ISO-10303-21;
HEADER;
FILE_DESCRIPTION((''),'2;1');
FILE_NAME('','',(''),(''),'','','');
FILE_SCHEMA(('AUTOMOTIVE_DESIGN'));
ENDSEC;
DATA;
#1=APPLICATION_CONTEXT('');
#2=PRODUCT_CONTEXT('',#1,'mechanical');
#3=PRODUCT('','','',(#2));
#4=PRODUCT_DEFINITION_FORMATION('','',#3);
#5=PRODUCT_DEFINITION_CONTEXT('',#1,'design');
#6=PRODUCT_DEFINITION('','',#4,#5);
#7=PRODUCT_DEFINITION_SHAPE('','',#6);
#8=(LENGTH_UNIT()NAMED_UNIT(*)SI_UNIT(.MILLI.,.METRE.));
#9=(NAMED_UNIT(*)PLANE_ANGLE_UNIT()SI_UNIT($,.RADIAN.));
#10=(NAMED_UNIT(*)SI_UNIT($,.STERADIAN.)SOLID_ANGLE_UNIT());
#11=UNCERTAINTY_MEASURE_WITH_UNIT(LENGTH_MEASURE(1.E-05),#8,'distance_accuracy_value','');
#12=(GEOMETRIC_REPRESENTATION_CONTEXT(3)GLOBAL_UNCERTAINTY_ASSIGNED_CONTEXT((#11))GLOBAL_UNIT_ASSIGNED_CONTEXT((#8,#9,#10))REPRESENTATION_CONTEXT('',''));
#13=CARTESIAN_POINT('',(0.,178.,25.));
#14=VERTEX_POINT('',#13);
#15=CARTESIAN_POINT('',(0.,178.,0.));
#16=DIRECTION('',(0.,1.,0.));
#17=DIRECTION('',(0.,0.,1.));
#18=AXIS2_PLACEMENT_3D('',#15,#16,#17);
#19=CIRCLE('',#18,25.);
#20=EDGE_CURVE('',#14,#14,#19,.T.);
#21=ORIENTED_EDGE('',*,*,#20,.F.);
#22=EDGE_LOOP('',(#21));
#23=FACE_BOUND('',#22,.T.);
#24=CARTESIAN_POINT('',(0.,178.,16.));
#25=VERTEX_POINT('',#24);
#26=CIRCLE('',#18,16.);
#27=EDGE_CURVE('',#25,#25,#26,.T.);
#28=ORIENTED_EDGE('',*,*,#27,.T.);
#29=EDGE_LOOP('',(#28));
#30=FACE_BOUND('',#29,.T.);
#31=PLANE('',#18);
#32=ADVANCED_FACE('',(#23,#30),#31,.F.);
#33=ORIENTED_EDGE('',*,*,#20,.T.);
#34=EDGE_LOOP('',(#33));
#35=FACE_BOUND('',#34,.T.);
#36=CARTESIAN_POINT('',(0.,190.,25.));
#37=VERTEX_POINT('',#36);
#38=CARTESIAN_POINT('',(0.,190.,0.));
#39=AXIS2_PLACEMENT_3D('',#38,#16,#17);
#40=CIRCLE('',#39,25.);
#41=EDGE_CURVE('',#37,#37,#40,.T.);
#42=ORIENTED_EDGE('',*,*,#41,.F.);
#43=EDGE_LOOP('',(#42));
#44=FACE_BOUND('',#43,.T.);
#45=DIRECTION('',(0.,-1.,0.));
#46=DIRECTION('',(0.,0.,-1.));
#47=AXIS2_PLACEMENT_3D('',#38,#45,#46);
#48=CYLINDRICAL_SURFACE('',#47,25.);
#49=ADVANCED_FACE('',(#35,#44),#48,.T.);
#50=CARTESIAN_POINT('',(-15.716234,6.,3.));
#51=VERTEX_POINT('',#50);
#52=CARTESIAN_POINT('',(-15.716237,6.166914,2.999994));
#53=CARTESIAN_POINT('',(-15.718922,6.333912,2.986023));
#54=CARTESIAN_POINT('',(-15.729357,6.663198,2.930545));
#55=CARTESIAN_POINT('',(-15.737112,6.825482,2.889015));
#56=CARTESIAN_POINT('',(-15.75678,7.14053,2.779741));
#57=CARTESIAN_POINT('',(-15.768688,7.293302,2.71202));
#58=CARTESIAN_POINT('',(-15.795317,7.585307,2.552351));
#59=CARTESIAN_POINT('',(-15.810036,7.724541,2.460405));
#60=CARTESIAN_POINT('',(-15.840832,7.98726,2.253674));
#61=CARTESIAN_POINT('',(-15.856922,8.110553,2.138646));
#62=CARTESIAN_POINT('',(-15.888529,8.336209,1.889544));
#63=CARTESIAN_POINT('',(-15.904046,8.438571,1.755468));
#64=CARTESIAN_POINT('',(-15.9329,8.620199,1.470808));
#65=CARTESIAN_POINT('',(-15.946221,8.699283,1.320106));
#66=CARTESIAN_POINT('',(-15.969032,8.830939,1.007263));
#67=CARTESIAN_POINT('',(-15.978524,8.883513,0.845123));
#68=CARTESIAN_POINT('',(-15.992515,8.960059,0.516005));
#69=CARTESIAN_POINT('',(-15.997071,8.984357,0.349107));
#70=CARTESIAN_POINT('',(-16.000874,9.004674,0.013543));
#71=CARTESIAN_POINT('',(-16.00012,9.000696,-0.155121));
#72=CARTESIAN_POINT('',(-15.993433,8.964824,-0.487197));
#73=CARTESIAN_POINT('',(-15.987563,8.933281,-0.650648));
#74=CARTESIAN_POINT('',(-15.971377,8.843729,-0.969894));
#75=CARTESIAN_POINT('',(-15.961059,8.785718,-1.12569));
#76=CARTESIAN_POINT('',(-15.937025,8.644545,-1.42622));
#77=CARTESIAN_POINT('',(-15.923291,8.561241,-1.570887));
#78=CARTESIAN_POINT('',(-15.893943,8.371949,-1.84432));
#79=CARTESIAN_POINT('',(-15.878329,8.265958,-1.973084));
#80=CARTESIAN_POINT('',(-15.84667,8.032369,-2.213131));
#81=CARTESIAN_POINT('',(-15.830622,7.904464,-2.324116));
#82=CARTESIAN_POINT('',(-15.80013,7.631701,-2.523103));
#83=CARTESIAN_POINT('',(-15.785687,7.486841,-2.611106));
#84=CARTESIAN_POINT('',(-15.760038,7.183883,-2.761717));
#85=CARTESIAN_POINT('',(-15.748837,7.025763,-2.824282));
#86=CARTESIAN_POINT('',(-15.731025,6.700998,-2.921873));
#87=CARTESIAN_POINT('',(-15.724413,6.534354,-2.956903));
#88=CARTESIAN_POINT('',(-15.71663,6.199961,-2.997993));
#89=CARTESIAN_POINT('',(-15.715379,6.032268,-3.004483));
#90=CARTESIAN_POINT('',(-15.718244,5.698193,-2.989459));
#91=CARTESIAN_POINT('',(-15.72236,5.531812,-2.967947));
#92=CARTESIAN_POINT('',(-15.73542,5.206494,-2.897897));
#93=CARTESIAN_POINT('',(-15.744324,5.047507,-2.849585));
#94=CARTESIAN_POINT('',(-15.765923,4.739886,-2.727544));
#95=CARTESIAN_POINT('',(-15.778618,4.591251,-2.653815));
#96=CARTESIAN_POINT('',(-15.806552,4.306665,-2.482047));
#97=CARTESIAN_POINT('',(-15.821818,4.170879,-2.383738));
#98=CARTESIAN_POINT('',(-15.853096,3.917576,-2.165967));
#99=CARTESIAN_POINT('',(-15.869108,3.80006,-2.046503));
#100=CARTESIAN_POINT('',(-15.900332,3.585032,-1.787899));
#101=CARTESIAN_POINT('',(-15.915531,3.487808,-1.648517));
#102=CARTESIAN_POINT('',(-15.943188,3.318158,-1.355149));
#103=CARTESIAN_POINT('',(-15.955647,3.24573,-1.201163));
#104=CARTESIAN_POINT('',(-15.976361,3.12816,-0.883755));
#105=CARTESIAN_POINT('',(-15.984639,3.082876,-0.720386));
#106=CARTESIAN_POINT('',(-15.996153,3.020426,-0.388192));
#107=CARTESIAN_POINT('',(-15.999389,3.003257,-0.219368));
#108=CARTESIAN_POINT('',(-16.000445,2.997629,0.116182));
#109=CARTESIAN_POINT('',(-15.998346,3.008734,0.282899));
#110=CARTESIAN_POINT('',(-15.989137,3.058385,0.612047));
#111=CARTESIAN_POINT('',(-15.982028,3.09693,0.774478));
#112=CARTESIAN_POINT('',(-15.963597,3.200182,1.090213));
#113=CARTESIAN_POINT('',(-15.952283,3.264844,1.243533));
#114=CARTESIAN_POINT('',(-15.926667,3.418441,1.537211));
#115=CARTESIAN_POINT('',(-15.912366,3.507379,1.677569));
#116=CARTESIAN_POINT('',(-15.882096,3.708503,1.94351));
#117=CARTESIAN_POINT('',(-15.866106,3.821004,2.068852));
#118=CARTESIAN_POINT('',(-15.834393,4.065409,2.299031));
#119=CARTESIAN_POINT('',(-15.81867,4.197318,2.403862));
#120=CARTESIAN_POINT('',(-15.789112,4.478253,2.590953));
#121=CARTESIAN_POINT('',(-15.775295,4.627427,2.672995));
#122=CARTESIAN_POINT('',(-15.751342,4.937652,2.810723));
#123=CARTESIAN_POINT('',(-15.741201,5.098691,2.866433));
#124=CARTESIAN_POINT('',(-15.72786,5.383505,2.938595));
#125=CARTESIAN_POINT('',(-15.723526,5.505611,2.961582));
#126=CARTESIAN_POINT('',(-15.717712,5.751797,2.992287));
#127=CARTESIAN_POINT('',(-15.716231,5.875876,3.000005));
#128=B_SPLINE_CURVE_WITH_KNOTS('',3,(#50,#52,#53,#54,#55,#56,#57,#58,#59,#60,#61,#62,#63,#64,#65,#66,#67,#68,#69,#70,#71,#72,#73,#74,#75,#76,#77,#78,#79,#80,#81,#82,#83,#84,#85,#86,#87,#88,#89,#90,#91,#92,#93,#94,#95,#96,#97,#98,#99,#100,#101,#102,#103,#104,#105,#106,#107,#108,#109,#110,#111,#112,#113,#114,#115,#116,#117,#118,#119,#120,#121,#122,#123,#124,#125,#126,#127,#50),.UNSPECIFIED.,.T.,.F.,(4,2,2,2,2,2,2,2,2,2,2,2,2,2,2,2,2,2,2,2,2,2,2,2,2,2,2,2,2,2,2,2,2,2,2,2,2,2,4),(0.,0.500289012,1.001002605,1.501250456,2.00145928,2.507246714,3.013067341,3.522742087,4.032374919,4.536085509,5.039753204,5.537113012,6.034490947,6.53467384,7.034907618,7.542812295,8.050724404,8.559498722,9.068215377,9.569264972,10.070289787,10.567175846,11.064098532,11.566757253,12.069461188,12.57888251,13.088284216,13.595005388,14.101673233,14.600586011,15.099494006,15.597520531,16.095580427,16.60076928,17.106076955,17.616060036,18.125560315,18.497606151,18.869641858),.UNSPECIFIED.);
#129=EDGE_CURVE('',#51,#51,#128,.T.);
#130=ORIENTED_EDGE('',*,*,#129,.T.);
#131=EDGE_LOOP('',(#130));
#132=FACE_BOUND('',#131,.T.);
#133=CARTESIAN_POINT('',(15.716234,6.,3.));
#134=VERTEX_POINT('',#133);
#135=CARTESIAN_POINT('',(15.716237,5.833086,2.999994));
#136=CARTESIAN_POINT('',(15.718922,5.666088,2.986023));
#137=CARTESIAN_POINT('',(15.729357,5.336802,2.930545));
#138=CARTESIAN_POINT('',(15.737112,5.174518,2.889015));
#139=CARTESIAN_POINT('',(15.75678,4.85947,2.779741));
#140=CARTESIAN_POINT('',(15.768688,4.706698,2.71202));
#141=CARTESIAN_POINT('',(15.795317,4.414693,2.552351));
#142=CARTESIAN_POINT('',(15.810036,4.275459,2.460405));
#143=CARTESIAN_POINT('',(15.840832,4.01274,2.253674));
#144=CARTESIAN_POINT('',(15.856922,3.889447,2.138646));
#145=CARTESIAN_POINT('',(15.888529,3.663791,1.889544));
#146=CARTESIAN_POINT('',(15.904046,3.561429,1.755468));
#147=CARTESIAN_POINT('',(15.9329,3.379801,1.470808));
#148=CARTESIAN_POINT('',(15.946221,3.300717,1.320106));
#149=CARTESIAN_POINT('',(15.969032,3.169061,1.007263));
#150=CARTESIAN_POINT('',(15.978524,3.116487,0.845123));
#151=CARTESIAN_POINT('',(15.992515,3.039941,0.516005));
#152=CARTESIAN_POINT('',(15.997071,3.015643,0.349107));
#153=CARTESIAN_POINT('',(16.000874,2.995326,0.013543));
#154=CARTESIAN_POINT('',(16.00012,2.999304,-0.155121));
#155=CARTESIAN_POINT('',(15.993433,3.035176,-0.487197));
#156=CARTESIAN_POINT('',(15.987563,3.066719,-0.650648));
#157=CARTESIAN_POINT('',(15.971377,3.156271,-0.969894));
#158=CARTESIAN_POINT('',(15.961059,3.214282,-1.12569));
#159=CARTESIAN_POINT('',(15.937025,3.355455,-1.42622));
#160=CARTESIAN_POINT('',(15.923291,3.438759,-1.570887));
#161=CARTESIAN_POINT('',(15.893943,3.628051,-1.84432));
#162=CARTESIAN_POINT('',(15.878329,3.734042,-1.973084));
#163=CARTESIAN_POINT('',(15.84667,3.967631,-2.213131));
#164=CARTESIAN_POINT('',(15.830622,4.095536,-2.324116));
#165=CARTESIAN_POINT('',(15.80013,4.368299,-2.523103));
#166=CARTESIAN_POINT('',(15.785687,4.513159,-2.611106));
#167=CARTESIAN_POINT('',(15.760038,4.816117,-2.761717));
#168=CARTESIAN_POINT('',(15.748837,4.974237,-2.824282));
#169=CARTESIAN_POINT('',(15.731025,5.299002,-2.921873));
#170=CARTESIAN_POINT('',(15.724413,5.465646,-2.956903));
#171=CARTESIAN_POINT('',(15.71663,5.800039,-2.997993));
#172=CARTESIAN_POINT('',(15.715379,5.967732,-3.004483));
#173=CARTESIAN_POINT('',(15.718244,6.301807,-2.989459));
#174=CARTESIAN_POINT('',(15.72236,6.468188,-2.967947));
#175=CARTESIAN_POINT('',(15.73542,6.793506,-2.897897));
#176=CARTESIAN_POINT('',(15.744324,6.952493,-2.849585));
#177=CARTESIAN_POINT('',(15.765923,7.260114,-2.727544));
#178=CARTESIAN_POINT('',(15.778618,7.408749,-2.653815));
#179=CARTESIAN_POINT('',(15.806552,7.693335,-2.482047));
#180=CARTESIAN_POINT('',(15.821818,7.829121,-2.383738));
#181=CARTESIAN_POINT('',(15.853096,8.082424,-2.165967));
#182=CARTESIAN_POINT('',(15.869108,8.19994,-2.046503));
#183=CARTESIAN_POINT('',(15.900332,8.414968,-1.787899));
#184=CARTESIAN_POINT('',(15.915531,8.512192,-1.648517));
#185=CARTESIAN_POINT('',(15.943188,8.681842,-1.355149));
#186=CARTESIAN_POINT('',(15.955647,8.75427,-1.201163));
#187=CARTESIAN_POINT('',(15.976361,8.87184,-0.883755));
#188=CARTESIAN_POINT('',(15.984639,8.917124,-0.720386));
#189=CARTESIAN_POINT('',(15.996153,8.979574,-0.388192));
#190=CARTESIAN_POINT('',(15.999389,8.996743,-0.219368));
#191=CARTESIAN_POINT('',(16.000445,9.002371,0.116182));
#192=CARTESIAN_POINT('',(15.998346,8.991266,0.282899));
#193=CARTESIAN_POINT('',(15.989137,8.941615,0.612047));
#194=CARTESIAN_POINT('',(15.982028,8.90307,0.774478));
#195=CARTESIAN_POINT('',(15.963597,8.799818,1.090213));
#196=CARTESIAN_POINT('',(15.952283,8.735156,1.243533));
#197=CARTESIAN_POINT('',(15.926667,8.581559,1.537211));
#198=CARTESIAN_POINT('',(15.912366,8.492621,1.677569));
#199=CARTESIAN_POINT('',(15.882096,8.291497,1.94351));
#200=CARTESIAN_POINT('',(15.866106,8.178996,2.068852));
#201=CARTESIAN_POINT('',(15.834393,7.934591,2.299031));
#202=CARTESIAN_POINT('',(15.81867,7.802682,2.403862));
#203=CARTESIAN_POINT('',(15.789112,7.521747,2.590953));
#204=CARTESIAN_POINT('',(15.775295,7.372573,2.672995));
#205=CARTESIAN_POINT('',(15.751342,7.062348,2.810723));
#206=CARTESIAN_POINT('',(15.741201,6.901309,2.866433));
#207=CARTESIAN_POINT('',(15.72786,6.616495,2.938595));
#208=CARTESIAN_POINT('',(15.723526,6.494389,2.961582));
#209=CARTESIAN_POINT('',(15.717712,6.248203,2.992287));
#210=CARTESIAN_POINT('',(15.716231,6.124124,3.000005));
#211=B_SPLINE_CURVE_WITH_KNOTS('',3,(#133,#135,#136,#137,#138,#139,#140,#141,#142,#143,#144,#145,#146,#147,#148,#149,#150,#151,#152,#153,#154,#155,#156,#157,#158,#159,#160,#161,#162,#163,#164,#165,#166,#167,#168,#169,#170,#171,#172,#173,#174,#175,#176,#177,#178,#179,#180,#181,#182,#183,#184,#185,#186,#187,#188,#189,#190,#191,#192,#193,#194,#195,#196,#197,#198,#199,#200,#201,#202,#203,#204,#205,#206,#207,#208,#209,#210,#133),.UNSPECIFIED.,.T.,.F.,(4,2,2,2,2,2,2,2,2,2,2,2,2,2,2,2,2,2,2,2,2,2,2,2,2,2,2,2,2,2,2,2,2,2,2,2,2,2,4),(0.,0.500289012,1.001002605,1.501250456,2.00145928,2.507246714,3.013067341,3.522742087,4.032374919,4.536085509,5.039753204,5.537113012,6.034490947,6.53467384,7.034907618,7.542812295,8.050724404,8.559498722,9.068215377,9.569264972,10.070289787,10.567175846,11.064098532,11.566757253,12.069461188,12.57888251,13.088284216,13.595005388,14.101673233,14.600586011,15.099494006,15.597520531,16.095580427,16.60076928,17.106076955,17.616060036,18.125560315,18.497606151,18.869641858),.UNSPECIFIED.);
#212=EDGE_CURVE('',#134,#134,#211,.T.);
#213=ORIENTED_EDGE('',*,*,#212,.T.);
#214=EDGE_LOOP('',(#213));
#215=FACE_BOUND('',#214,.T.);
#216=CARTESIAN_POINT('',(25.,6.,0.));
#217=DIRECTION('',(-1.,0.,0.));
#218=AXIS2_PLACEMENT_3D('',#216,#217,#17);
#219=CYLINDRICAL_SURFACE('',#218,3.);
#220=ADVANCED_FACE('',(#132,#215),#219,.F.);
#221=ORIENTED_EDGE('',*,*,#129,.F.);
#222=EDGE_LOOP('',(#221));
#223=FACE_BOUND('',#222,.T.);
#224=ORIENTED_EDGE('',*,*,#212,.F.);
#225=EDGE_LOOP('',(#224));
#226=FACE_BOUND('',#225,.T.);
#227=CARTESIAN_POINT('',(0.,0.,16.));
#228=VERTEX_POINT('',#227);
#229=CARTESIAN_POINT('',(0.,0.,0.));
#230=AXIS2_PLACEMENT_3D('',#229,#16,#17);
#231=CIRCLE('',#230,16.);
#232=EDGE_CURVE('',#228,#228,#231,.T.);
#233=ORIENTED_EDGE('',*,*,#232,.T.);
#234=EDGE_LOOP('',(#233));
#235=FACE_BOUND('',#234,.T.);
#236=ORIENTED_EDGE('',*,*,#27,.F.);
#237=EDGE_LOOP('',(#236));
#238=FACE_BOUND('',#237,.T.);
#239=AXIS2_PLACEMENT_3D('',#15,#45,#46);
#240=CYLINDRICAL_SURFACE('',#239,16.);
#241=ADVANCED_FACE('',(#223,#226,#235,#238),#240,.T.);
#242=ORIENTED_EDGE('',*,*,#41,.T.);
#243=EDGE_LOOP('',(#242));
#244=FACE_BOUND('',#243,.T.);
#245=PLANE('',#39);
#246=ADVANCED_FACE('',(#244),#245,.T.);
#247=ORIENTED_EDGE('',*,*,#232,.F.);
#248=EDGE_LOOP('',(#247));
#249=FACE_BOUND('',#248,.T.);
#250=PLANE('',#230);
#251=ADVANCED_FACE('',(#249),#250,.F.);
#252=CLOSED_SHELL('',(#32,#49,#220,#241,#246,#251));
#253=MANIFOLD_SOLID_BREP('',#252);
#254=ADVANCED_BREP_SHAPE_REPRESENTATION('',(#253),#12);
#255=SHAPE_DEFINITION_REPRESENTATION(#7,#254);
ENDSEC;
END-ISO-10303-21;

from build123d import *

# Parameters (mm, degrees)
SKETCH4_R               = 16
BOSS_EXTRUDE9_DEPTH     = 178
SKETCH8_R               = 25
BOSS_EXTRUDE10_DEPTH    = 12
CUT_EXTRUDE1_DEPTH      = 194.261480901
CUT_EXTRUDE1_DEPTH_BACK = 194.261480901
SKETCH9_R               = 3


with BuildPart() as part:
    # Sketch4 → Boss-Extrude9 (new body)
    with BuildSketch(Plane(origin=(0, 0, 0), x_dir=(1, 0, 0), z_dir=(0, 1, 0))):
        with Locations(Location((0, 0, 0), (0, 0, 270))):
            Circle(SKETCH4_R)
    extrude(amount=BOSS_EXTRUDE9_DEPTH)

    # Sketch8 → Boss-Extrude10 (add)
    with BuildSketch(Plane(origin=(0, 178, 0), x_dir=(1, 0, 0), z_dir=(0, 1, 0))):
        with Locations(Location((0, 0, 0), (0, 0, 270))):
            Circle(SKETCH8_R)
    extrude(amount=BOSS_EXTRUDE10_DEPTH)

    # Sketch9 → Cut-Extrude1 (cut, two sides: drawn at the far end of the back side and taken through both)
    with BuildSketch(Plane(origin=(0, 0, 0), x_dir=(0, 0, -1), z_dir=(1, 0, 0)).offset(-CUT_EXTRUDE1_DEPTH_BACK)):
        with Locations(Location((0, 6, 0), (0, 0, 180))):
            Circle(SKETCH9_R)
    extrude(amount=CUT_EXTRUDE1_DEPTH + CUT_EXTRUDE1_DEPTH_BACK, mode=Mode.SUBTRACT)


solid = part.part
